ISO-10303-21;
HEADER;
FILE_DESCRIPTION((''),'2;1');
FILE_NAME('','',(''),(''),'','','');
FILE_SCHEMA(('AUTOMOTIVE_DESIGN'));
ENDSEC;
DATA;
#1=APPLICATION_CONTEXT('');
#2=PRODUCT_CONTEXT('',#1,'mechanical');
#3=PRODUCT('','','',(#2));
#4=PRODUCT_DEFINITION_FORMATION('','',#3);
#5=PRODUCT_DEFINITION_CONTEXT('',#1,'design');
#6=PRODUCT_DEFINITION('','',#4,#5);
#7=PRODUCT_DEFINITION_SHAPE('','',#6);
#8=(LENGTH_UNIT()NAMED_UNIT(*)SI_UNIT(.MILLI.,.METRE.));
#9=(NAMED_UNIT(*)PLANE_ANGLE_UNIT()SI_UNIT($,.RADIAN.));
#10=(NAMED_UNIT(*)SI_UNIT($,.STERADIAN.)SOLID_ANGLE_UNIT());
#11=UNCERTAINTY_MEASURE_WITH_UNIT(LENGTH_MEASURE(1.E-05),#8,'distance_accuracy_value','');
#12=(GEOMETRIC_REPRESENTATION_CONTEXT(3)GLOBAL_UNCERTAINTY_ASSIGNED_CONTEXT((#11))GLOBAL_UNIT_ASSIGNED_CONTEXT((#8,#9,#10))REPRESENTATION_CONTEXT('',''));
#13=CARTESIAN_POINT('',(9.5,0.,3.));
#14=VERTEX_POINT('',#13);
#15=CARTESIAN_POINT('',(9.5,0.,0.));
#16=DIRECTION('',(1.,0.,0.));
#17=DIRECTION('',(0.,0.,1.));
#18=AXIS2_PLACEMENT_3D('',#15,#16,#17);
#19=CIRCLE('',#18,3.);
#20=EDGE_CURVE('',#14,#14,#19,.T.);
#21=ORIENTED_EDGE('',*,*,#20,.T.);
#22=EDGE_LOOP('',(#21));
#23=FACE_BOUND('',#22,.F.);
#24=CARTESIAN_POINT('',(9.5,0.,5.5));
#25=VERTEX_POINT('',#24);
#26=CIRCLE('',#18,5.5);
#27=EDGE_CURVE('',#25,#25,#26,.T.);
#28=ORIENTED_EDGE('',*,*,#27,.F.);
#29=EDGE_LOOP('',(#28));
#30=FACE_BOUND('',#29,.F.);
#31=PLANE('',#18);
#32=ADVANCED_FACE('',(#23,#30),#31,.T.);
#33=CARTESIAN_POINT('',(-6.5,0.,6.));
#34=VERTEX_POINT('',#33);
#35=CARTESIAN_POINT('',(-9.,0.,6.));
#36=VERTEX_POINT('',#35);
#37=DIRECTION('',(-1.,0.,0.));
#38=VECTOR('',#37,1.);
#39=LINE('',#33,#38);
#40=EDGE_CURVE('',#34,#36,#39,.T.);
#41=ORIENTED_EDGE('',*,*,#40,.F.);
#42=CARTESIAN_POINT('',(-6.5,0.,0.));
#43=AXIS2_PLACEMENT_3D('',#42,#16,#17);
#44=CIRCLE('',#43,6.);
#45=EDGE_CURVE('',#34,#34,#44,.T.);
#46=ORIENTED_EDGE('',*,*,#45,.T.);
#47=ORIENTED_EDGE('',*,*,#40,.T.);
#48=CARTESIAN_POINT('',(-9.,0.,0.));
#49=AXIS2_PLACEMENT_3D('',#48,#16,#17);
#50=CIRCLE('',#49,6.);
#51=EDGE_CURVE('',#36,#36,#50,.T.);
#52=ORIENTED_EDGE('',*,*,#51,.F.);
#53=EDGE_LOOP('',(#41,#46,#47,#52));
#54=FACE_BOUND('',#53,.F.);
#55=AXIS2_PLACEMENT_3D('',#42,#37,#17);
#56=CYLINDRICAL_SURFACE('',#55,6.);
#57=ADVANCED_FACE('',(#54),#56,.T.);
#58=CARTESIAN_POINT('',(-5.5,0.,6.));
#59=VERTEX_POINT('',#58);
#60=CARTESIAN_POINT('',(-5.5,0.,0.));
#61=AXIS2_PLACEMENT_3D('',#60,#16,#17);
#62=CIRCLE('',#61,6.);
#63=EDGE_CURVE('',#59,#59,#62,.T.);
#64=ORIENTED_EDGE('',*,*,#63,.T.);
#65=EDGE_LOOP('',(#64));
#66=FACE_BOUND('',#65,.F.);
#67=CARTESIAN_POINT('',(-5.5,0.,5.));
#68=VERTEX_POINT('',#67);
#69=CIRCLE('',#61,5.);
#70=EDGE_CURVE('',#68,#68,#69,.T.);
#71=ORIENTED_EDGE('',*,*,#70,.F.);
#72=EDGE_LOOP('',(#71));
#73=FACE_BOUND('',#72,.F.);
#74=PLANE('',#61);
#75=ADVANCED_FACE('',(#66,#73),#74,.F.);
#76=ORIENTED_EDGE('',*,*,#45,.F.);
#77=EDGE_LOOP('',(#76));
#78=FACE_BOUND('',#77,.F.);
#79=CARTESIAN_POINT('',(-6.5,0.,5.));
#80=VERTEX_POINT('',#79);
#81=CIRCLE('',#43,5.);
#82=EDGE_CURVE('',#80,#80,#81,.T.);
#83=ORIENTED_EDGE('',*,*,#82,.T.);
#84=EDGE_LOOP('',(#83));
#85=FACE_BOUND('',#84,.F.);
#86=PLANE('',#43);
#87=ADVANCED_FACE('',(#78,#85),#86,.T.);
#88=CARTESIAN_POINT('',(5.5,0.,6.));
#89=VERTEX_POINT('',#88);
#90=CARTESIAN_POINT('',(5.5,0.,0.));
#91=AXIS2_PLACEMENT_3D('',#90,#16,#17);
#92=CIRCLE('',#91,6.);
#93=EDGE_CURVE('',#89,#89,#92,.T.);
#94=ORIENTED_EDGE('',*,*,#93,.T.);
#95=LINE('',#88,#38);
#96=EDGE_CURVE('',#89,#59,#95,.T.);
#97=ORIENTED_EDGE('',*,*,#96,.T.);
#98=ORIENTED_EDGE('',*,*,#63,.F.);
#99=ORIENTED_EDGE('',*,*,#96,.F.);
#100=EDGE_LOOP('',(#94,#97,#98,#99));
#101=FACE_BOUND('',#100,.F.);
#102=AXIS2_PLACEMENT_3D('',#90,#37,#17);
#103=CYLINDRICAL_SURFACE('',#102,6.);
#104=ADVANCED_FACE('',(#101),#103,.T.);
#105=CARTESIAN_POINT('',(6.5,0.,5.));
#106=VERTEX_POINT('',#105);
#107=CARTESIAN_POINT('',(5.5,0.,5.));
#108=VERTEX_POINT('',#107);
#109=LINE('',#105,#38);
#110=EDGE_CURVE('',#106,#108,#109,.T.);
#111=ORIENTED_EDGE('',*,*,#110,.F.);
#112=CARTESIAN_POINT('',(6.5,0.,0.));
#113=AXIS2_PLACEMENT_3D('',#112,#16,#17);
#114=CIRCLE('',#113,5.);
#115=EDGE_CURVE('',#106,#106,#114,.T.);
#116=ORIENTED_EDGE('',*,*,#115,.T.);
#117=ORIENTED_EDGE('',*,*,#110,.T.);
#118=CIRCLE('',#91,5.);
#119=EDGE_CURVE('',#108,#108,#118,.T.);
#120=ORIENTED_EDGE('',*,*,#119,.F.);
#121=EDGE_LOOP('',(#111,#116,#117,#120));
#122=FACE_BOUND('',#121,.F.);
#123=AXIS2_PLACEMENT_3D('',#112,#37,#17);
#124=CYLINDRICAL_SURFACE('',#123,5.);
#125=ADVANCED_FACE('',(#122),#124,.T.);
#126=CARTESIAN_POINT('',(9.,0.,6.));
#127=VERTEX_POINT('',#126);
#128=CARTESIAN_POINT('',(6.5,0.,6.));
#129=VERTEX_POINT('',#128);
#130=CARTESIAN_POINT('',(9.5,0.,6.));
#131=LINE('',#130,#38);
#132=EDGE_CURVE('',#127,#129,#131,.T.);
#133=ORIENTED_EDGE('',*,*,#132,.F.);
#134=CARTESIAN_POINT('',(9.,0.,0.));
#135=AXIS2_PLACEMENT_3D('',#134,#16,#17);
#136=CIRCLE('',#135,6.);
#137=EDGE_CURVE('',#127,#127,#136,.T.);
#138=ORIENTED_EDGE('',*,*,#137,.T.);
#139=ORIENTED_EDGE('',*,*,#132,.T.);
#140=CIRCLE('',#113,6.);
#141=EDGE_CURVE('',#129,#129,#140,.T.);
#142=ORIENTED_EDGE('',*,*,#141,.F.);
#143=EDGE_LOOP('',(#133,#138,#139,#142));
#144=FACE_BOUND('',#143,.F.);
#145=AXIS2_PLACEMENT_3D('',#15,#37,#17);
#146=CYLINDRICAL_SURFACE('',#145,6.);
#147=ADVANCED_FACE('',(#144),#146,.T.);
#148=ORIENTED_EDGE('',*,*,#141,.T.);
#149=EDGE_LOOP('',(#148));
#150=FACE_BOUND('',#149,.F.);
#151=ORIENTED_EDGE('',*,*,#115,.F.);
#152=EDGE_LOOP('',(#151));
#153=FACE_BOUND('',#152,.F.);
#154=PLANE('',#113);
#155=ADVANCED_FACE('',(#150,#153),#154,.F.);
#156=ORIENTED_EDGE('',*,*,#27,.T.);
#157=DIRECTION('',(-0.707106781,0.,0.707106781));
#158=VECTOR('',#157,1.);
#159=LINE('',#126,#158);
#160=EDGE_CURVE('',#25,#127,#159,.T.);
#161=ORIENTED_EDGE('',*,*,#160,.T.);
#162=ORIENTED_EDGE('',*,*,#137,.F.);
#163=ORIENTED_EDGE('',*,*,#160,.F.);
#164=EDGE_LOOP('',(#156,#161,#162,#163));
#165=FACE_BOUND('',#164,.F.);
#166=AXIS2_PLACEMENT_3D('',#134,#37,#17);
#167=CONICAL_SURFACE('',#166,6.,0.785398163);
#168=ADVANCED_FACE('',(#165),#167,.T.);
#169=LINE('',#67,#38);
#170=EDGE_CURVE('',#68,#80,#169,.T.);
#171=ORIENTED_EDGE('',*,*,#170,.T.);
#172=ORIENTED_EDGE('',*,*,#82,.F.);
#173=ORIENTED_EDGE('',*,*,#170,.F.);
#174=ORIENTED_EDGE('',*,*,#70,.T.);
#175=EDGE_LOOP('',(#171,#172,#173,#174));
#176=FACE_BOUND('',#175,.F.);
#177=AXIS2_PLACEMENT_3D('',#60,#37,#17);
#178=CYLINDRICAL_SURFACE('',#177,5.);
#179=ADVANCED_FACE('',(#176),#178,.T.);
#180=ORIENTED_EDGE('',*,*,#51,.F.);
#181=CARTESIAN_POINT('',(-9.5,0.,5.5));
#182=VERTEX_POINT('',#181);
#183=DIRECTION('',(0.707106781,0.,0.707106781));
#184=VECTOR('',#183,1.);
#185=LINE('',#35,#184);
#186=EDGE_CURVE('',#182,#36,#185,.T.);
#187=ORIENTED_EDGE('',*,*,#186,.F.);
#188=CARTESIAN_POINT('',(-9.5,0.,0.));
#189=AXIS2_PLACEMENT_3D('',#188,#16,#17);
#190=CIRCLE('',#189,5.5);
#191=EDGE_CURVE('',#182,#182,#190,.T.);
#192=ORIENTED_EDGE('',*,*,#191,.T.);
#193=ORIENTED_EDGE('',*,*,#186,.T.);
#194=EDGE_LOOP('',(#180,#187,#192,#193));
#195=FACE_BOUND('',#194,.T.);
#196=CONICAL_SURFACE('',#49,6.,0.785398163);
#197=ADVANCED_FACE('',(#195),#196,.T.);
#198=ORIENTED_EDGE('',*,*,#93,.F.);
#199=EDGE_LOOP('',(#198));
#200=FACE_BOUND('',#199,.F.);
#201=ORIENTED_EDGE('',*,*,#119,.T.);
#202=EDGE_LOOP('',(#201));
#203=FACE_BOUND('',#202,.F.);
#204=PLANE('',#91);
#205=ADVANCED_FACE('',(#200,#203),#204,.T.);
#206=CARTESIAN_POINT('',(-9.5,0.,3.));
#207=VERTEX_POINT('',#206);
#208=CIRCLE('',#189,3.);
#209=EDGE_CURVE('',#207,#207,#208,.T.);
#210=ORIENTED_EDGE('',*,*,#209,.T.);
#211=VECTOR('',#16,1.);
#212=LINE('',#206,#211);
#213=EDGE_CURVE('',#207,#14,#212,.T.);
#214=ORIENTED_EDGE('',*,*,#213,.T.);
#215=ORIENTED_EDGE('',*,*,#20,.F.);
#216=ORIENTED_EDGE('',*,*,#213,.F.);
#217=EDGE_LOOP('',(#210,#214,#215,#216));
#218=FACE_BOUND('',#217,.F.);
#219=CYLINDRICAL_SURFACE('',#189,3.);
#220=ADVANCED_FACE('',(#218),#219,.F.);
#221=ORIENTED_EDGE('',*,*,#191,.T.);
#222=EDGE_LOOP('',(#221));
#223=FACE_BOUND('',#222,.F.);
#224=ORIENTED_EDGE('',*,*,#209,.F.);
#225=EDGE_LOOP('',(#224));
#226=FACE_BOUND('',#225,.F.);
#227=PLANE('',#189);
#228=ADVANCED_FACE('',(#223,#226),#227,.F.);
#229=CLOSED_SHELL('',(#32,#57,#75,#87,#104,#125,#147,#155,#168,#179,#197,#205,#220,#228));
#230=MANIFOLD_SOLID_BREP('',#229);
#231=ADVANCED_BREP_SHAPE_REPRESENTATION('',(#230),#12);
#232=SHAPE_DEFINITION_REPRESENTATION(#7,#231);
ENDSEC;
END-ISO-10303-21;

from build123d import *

# Parameters (mm, degrees)
F2_SIZE = 0.5


with BuildPart() as f1:
    # F0 (on Front) → F1 (revolve)
    with BuildSketch(Plane.XZ):
        Polygon((-9.5, 6), (-9.5, 3), (9.5, 3), (9.5, 6), (6.5, 6), (6.5, 5), (5.5, 5), (5.5, 6), (0, 6), (-5.5, 6), (-5.5, 5), (-6.5, 5), (-6.5, 6), align=None)
    revolve(axis=Axis((6.664423, 0, 0), (1, 0, 0)))

    # F2
    f2_edges = [f1.edges().sort_by_distance(p)[0] for p in [
        (-9.5, 0, -6),
        (9.5, 0, -6),
    ]]
    chamfer(f2_edges, length=F2_SIZE)


solid = f1.part
